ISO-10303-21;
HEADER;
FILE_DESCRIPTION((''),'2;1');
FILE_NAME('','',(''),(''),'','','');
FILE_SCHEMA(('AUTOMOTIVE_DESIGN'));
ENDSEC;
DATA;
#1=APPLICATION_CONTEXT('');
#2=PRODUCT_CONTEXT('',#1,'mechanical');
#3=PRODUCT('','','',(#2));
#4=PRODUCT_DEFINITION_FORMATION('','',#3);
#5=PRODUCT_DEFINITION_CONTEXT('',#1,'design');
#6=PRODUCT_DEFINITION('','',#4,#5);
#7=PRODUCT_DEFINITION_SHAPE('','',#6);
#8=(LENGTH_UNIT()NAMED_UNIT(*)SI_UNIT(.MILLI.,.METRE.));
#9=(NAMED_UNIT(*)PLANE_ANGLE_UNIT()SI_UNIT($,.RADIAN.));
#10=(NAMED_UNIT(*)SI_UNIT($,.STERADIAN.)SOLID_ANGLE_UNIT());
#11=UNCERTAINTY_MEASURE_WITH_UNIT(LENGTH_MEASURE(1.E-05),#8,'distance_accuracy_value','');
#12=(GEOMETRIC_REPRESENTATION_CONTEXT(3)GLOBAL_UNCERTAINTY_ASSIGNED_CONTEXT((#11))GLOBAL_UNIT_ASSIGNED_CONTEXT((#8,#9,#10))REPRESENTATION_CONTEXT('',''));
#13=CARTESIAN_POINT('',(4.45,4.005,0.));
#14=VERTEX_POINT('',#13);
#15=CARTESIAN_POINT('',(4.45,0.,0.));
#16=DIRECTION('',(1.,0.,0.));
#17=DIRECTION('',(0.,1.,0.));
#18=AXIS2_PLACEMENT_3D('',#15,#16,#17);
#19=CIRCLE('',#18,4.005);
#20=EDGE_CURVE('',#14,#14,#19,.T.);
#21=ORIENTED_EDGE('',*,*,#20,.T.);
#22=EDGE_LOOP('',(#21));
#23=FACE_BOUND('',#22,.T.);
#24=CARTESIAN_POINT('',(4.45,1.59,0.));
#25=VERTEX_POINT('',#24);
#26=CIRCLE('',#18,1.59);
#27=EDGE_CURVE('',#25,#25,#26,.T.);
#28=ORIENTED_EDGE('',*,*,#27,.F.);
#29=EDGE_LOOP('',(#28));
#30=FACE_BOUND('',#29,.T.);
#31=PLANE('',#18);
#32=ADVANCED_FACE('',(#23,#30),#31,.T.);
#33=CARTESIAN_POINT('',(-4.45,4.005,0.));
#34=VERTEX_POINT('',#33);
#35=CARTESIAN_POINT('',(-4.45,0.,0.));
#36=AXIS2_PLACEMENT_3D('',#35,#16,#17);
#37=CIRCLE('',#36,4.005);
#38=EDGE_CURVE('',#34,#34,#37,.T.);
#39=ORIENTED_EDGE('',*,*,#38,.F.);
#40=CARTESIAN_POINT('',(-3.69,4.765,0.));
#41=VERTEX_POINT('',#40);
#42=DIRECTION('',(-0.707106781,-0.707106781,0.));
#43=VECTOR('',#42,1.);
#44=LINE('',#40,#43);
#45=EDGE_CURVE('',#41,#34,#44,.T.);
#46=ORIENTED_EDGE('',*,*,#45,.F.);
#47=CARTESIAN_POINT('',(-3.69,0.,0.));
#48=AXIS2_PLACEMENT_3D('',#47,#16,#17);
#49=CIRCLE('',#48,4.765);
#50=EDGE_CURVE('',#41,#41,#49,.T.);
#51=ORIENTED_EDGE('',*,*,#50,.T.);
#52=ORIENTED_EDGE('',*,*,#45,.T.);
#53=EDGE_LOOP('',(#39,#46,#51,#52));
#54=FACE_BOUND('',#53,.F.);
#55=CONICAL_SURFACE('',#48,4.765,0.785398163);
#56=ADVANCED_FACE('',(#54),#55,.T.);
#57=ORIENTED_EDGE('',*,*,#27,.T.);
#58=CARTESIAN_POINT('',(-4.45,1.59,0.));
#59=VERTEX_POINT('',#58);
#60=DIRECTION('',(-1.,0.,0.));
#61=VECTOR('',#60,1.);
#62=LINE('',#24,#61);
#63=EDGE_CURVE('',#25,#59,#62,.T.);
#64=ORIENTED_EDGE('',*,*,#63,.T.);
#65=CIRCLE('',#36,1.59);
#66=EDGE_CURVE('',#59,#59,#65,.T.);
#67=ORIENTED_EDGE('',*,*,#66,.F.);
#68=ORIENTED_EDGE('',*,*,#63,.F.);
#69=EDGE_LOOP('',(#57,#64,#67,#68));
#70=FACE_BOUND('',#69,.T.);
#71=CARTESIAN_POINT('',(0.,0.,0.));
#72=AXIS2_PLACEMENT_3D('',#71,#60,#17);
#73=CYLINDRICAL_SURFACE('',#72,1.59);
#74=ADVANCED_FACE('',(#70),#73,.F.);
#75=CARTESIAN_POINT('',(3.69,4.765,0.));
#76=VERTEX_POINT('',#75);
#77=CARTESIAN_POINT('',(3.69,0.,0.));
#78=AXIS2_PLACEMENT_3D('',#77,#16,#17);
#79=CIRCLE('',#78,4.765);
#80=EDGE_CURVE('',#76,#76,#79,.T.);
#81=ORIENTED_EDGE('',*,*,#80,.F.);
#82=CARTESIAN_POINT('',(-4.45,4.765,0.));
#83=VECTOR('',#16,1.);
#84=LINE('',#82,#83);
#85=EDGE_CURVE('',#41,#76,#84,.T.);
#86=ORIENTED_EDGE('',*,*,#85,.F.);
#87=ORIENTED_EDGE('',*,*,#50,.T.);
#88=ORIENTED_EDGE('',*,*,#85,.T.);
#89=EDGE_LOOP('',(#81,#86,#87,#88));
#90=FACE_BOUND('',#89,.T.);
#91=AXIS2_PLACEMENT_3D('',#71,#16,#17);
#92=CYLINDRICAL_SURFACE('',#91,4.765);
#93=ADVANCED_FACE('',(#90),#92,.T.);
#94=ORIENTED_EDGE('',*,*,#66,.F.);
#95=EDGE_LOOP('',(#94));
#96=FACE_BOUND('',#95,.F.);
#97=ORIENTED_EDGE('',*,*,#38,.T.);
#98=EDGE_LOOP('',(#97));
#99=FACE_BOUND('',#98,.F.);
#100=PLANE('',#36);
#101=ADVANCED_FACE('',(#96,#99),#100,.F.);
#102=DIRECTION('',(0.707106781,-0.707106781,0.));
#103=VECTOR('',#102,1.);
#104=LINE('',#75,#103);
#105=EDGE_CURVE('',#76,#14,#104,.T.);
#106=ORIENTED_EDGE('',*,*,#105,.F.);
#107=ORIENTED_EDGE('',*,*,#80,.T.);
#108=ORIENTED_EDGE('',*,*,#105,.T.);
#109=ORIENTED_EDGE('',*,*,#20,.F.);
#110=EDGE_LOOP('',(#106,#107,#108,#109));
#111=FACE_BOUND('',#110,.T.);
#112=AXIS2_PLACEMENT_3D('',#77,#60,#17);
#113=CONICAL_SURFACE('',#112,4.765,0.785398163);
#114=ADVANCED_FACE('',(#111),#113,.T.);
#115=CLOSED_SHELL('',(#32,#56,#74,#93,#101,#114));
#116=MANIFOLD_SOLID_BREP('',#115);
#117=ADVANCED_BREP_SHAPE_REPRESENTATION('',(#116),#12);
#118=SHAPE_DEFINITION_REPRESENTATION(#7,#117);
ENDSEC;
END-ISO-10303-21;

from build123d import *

# Parameters (mm, degrees)
F0_R     = 4.765
F0_R_2   = 1.59
F1_DEPTH = 4.45
F2_SIZE  = 0.76


with BuildPart() as f1:
    # F0 (on Right) → F1 (new body, symmetric)
    with BuildSketch(Plane.YZ):
        Circle(F0_R)
        Circle(F0_R_2, mode=Mode.SUBTRACT)
    extrude(amount=F1_DEPTH, both=True)

    # F2
    f2_edges = [f1.edges().sort_by_distance(p)[0] for p in [
        (-4.45, -4.765, 0),
        (0, 4.765, 0),
        (4.45, -4.765, 0),
    ]]
    chamfer(f2_edges, length=F2_SIZE)


solid = f1.part
